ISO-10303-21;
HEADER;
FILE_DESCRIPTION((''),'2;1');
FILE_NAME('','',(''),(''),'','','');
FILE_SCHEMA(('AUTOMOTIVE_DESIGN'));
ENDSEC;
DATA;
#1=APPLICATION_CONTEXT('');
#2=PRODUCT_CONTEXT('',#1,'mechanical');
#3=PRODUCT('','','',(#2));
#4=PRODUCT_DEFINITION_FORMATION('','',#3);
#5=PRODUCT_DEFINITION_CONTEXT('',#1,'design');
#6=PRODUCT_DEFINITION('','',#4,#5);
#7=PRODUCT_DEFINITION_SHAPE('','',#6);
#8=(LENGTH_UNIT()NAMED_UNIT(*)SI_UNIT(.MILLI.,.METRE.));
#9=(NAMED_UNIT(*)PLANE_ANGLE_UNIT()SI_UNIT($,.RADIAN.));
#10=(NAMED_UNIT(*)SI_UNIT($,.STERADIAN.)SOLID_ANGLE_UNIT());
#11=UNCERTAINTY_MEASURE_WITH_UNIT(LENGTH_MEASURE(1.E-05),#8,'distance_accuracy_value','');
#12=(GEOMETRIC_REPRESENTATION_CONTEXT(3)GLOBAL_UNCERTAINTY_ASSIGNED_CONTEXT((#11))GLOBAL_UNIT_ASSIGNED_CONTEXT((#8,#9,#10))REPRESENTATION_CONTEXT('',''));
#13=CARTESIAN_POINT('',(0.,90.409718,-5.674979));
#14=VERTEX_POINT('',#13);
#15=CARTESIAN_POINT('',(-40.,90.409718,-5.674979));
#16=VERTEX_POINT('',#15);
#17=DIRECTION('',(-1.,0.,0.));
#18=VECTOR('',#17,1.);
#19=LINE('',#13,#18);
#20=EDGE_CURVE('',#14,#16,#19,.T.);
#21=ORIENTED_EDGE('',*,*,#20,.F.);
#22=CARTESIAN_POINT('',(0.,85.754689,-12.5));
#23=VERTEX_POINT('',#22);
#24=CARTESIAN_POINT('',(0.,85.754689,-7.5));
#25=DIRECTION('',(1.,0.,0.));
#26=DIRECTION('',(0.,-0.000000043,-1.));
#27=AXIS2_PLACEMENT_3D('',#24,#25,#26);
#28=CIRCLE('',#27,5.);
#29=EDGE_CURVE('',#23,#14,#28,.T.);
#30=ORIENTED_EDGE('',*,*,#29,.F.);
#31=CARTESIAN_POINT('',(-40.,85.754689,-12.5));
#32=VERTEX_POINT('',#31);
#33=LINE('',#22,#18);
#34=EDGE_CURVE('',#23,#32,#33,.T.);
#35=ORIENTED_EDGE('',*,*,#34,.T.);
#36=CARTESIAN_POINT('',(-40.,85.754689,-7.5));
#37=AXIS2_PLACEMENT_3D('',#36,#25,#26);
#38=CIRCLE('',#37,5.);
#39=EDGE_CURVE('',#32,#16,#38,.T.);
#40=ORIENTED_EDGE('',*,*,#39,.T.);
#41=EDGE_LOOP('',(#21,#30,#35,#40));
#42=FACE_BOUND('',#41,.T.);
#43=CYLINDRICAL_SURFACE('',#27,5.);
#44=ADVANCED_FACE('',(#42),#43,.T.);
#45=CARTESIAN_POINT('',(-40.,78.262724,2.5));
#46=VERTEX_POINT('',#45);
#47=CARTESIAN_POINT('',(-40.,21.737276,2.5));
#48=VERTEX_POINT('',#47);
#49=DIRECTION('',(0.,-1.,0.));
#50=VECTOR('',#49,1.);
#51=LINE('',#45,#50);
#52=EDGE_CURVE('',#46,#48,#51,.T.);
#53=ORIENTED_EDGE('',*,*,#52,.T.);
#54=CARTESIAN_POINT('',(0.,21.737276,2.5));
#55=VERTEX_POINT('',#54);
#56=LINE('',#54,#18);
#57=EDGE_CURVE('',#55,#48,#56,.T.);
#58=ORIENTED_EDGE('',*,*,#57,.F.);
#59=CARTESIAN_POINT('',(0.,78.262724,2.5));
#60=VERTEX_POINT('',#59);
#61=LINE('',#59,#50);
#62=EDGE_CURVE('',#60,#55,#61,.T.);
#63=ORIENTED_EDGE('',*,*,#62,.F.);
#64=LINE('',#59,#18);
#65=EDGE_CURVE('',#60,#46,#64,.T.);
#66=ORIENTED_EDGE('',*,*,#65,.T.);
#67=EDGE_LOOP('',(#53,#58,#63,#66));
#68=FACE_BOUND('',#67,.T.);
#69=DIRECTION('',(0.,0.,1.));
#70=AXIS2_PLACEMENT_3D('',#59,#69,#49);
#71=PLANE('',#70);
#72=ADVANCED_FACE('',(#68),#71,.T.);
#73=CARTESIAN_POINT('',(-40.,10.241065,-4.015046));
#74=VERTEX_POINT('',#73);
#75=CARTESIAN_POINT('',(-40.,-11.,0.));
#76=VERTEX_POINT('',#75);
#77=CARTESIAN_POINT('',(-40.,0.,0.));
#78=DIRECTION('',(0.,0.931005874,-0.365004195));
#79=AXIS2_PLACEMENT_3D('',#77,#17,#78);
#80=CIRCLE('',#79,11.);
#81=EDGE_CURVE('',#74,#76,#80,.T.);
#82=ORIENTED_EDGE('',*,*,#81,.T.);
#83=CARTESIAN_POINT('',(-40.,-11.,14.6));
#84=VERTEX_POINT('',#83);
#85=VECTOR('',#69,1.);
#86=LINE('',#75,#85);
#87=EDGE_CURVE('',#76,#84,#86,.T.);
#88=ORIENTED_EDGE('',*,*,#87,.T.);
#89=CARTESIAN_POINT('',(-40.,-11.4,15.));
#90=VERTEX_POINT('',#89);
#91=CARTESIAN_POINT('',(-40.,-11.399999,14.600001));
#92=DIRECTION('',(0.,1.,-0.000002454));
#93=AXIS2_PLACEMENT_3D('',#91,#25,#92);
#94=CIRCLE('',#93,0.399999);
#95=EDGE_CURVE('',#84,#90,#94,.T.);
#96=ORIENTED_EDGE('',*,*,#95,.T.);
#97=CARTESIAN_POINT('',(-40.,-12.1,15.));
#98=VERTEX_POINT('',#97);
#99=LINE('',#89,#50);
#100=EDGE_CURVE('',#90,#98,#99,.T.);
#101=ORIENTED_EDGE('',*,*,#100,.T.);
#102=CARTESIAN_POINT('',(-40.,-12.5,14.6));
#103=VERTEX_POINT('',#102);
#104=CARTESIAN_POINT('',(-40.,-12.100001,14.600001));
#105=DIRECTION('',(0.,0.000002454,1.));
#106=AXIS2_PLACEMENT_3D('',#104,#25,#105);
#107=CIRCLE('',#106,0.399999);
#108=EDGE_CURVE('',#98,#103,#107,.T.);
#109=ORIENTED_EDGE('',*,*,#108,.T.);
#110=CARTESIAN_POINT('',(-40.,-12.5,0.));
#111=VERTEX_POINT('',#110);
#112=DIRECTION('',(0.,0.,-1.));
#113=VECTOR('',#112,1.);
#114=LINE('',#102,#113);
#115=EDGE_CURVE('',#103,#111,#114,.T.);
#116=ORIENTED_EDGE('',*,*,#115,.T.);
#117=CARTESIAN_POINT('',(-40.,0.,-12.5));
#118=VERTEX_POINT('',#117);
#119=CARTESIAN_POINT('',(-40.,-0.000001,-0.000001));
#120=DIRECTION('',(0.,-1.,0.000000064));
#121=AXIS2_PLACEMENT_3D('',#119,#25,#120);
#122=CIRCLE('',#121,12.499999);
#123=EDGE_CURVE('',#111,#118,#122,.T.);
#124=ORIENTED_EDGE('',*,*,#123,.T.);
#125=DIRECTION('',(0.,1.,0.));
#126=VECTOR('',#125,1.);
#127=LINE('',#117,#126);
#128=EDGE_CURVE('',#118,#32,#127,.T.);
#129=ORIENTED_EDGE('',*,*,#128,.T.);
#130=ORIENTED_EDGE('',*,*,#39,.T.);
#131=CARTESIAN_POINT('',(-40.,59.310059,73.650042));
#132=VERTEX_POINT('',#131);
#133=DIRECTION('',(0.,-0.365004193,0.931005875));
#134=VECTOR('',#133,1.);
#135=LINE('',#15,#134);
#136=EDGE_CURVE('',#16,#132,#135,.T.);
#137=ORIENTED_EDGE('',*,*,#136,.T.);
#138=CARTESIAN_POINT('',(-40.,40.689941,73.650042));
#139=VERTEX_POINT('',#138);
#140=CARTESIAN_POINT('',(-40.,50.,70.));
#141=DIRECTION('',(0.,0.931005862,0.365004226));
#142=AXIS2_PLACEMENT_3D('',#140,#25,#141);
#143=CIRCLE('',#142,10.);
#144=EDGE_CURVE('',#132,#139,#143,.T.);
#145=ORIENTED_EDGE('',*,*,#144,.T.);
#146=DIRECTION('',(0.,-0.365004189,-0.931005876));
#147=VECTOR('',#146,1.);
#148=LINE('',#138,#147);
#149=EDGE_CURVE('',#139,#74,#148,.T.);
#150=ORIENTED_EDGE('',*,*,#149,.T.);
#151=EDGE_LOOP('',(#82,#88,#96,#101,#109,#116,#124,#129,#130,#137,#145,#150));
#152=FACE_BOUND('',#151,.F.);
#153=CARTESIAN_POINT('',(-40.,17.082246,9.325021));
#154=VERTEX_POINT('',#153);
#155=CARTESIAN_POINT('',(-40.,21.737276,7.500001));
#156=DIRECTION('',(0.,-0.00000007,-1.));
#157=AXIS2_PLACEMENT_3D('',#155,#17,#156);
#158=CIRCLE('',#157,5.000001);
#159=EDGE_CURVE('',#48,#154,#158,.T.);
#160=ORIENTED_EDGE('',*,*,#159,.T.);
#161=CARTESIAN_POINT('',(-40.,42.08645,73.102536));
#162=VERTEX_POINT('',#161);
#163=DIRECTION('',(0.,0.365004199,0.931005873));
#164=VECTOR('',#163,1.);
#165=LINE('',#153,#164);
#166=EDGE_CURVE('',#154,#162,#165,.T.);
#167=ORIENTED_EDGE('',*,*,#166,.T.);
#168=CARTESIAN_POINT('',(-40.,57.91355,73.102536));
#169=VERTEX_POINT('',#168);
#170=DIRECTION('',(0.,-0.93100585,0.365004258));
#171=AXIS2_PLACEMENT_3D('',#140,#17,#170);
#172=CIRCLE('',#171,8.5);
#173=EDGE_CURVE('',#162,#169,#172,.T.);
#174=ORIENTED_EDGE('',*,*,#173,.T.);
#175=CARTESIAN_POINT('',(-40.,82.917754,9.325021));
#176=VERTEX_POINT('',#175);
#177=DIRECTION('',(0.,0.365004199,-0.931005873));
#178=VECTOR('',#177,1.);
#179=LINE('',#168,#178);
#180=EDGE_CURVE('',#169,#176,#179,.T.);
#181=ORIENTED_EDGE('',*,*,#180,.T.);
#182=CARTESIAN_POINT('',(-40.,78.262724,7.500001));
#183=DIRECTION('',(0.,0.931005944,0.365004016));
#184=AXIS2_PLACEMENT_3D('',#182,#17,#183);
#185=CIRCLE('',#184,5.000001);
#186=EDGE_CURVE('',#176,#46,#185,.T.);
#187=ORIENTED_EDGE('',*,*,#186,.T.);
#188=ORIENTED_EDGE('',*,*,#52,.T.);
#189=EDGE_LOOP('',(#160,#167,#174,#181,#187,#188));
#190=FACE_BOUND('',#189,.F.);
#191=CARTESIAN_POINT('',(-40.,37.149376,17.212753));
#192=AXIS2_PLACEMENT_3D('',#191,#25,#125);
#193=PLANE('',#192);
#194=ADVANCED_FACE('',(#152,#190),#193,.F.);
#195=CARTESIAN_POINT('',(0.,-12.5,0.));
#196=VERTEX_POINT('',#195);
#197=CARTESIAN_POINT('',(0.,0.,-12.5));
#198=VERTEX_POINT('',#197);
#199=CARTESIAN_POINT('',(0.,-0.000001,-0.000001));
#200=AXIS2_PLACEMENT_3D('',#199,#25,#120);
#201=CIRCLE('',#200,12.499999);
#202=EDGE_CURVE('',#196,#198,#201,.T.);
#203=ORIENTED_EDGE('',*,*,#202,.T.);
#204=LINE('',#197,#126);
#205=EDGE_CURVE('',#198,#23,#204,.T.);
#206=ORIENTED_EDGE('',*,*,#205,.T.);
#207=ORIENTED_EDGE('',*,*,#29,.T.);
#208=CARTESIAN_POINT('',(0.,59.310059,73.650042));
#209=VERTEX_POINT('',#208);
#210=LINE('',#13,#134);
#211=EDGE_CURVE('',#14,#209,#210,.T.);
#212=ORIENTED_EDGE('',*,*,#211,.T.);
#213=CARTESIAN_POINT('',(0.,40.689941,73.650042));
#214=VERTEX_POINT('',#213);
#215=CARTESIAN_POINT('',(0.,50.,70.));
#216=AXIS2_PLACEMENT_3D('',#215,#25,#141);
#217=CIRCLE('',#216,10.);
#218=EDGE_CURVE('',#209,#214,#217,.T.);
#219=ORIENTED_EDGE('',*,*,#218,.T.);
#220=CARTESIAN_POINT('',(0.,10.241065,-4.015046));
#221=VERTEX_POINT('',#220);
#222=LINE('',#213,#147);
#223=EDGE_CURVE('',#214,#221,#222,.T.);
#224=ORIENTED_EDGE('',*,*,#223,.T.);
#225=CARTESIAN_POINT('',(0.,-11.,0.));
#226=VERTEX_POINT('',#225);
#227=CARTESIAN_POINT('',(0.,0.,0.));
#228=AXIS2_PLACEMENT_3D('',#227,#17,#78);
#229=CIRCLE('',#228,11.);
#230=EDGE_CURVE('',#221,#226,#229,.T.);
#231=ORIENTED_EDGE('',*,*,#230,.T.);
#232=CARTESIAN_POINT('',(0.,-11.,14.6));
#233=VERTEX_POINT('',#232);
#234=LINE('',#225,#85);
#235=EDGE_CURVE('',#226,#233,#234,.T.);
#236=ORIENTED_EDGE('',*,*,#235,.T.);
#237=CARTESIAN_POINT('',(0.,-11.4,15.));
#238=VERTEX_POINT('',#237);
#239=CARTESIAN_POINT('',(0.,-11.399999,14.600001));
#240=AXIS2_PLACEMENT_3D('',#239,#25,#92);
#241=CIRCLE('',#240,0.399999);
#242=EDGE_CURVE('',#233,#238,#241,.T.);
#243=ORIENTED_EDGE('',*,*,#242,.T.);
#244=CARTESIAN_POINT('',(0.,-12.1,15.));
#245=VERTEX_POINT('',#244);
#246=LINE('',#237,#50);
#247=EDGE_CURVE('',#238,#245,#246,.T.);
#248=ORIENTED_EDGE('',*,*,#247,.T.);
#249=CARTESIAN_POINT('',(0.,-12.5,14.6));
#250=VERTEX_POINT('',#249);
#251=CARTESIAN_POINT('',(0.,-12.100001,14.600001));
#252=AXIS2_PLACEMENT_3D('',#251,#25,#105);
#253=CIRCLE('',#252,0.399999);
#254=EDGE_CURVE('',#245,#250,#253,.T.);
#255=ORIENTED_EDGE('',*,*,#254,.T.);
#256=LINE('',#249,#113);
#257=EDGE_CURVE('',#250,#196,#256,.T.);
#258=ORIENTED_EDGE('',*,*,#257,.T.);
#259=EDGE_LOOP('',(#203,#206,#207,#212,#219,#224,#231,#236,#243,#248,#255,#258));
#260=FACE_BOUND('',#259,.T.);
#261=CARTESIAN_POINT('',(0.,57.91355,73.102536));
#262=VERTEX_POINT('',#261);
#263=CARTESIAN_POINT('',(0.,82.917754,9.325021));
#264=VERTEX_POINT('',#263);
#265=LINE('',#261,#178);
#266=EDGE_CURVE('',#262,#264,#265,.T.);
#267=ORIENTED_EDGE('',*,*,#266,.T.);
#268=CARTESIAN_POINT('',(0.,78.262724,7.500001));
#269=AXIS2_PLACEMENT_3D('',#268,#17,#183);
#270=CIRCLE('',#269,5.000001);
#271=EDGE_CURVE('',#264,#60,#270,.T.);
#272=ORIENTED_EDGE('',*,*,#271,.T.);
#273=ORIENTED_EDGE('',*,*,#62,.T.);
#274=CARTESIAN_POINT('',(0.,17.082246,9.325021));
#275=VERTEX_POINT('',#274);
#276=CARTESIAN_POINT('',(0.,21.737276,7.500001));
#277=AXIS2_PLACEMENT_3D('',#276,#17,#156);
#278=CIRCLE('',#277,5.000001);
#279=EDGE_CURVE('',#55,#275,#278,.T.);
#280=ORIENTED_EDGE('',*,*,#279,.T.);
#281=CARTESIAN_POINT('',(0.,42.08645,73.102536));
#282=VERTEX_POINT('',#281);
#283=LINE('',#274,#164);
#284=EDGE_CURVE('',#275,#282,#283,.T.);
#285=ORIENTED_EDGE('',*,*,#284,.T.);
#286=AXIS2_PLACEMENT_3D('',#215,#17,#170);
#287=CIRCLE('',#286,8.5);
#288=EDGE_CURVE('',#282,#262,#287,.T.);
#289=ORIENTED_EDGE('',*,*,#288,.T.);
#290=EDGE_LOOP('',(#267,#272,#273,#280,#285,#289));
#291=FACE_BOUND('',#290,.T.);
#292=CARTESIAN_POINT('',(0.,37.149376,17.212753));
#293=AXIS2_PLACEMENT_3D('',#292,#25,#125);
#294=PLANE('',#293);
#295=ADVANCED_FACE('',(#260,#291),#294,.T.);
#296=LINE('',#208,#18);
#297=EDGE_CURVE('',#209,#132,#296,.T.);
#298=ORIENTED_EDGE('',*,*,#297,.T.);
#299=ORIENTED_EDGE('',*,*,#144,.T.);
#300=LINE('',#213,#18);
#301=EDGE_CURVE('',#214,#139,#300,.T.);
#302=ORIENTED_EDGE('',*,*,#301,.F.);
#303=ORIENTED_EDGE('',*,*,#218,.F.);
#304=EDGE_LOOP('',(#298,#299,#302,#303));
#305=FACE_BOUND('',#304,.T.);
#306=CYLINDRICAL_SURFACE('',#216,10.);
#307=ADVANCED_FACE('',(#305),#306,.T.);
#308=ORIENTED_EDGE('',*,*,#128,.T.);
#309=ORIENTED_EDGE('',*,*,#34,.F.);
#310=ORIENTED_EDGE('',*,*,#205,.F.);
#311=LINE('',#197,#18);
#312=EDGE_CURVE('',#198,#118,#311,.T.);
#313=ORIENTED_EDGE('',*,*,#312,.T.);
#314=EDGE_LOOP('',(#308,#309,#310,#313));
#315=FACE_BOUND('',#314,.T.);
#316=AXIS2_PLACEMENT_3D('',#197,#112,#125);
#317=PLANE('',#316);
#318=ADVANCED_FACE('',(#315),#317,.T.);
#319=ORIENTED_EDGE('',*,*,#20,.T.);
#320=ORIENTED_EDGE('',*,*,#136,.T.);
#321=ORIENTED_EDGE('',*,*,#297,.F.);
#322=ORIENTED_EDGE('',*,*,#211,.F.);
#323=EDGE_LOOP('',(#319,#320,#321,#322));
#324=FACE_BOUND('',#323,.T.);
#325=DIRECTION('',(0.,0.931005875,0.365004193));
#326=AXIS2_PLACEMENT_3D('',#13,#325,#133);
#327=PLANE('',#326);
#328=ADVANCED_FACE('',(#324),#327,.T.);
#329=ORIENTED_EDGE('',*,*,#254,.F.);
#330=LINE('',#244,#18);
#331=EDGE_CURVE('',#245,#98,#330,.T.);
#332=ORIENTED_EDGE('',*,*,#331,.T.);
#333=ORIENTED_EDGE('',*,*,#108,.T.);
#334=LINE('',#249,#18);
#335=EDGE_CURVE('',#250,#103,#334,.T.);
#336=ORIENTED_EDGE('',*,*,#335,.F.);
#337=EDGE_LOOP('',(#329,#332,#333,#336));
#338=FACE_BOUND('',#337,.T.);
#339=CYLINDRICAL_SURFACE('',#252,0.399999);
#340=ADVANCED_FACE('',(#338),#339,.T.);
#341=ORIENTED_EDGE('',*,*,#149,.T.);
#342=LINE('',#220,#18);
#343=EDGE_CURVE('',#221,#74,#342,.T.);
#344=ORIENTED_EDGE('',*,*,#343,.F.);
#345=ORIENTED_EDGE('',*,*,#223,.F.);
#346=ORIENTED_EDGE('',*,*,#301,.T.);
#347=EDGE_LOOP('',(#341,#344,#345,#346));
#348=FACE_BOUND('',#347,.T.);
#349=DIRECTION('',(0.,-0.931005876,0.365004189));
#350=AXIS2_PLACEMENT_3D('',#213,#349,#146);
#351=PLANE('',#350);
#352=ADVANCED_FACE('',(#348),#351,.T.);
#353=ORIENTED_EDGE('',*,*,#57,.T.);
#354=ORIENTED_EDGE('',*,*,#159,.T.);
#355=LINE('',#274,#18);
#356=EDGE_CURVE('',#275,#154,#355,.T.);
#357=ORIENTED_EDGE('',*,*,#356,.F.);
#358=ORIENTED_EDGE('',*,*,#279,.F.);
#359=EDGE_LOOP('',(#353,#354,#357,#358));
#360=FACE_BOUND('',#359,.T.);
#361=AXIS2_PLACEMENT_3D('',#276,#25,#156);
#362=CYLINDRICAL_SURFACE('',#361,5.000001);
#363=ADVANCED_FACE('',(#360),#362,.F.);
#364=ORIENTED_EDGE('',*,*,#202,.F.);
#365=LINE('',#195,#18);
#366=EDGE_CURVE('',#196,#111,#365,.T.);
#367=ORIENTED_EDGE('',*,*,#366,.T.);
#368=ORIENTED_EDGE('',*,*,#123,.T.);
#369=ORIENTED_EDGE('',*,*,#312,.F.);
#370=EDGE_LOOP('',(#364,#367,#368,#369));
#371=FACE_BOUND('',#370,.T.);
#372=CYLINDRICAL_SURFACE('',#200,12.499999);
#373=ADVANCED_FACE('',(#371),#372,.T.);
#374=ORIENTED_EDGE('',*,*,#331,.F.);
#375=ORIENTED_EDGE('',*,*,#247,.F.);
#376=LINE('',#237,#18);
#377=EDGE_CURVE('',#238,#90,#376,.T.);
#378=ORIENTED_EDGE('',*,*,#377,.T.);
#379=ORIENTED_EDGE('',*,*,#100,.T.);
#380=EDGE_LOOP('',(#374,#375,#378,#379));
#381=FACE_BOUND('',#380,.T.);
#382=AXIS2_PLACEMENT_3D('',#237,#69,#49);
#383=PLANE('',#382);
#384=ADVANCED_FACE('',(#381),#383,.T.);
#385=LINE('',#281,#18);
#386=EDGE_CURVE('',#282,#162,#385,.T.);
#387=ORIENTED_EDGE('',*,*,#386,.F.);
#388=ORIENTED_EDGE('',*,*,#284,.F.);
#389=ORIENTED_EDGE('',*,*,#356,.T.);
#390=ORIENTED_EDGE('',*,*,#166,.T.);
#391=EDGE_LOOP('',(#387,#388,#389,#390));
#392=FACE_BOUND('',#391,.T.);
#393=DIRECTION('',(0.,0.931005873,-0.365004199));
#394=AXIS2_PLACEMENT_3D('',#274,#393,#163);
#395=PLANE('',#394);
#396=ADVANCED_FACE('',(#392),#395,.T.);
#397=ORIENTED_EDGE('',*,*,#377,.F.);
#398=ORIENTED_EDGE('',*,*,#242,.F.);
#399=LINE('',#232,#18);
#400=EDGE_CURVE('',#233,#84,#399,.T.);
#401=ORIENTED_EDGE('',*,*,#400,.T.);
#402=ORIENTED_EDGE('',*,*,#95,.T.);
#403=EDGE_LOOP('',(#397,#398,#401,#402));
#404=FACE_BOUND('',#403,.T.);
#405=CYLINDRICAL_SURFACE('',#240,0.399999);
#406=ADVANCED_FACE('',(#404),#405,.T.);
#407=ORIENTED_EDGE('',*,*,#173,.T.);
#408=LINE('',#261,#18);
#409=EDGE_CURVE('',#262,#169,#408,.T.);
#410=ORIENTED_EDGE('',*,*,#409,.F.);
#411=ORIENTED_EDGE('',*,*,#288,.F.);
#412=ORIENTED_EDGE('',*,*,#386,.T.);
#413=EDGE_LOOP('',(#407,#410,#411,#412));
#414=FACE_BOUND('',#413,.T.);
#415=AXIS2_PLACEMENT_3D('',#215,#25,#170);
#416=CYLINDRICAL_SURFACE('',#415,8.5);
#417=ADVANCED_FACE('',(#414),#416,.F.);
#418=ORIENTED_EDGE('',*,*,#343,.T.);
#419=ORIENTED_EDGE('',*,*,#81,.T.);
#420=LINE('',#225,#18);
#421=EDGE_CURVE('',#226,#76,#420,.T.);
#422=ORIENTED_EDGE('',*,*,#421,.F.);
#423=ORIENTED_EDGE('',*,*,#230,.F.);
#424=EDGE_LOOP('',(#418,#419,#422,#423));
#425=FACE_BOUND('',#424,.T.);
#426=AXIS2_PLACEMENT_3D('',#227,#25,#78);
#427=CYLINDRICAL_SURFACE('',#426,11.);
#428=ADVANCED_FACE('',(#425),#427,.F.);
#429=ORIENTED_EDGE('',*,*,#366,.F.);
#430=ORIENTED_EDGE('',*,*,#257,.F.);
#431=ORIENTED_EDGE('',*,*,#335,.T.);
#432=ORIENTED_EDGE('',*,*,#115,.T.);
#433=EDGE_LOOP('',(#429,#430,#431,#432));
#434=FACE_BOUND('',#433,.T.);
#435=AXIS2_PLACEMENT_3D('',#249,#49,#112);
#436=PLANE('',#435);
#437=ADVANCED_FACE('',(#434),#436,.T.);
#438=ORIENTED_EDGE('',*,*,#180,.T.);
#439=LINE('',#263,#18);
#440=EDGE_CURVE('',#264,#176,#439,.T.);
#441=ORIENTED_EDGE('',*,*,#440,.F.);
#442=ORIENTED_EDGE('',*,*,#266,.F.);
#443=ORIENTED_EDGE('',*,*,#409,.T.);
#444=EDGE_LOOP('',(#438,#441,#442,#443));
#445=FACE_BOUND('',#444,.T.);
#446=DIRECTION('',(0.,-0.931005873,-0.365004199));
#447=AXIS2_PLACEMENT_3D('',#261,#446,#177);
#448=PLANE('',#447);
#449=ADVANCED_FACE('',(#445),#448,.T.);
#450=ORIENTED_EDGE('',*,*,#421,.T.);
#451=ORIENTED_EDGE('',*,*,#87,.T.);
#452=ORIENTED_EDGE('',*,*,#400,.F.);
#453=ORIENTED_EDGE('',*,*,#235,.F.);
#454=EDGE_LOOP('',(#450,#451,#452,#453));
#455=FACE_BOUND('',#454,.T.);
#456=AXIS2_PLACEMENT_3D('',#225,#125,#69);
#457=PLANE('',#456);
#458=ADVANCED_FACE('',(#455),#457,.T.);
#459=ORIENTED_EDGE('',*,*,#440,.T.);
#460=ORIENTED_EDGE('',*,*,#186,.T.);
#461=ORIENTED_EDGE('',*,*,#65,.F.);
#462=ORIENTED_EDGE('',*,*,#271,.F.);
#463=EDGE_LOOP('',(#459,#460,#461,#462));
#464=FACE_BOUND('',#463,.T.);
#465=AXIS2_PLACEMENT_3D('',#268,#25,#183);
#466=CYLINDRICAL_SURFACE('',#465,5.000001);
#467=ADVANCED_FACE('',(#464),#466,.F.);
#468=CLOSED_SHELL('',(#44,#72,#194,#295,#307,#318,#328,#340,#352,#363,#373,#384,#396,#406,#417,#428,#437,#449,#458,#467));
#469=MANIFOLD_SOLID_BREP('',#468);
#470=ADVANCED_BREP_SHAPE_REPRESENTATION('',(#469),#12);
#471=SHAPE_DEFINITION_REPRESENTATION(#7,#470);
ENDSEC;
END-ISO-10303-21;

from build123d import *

# Parameters (mm, degrees)
F1_DEPTH = 40


with BuildPart() as f1:
    # F0 (on Right) → F1 (new body)
    with BuildSketch(Plane.YZ):
        with BuildLine():
            Line((-12.5, 14.6), (-12.5, 0))
            ThreePointArc((-12.5, 0), (-8.838835, -8.838835), (0, -12.5))
            Line((0, -12.5), (85.754689, -12.5))
            ThreePointArc((85.754689, -12.5), (89.885373, -10.317348), (90.409718, -5.674979))
            Line((90.409718, -5.674979), (59.310059, 73.650042))
            ThreePointArc((59.310059, 73.650042), (50, 80), (40.689941, 73.650042))
            Line((40.689941, 73.650042), (10.241065, -4.015046))
            ThreePointArc((10.241065, -4.015046), (-2.043072, -10.808601), (-11, 0))
            Line((-11, 0), (-11, 14.6))
            ThreePointArc((-11, 14.6), (-11.117157, 14.882843), (-11.4, 15))
            Line((-11.4, 15), (-12.1, 15))
            ThreePointArc((-12.1, 15), (-12.382843, 14.882843), (-12.5, 14.6))
        make_face()
        with BuildLine():
            ThreePointArc((42.08645, 73.102536), (50, 78.5), (57.91355, 73.102536))
            Line((57.91355, 73.102536), (82.917754, 9.325021))
            ThreePointArc((82.917754, 9.325021), (82.393408, 4.682652), (78.262724, 2.5))
            Line((78.262724, 2.5), (21.737276, 2.5))
            ThreePointArc((21.737276, 2.5), (17.606592, 4.682652), (17.082246, 9.325021))
            Line((17.082246, 9.325021), (42.08645, 73.102536))
        make_face(mode=Mode.SUBTRACT)
    extrude(amount=-F1_DEPTH)


solid = f1.part
